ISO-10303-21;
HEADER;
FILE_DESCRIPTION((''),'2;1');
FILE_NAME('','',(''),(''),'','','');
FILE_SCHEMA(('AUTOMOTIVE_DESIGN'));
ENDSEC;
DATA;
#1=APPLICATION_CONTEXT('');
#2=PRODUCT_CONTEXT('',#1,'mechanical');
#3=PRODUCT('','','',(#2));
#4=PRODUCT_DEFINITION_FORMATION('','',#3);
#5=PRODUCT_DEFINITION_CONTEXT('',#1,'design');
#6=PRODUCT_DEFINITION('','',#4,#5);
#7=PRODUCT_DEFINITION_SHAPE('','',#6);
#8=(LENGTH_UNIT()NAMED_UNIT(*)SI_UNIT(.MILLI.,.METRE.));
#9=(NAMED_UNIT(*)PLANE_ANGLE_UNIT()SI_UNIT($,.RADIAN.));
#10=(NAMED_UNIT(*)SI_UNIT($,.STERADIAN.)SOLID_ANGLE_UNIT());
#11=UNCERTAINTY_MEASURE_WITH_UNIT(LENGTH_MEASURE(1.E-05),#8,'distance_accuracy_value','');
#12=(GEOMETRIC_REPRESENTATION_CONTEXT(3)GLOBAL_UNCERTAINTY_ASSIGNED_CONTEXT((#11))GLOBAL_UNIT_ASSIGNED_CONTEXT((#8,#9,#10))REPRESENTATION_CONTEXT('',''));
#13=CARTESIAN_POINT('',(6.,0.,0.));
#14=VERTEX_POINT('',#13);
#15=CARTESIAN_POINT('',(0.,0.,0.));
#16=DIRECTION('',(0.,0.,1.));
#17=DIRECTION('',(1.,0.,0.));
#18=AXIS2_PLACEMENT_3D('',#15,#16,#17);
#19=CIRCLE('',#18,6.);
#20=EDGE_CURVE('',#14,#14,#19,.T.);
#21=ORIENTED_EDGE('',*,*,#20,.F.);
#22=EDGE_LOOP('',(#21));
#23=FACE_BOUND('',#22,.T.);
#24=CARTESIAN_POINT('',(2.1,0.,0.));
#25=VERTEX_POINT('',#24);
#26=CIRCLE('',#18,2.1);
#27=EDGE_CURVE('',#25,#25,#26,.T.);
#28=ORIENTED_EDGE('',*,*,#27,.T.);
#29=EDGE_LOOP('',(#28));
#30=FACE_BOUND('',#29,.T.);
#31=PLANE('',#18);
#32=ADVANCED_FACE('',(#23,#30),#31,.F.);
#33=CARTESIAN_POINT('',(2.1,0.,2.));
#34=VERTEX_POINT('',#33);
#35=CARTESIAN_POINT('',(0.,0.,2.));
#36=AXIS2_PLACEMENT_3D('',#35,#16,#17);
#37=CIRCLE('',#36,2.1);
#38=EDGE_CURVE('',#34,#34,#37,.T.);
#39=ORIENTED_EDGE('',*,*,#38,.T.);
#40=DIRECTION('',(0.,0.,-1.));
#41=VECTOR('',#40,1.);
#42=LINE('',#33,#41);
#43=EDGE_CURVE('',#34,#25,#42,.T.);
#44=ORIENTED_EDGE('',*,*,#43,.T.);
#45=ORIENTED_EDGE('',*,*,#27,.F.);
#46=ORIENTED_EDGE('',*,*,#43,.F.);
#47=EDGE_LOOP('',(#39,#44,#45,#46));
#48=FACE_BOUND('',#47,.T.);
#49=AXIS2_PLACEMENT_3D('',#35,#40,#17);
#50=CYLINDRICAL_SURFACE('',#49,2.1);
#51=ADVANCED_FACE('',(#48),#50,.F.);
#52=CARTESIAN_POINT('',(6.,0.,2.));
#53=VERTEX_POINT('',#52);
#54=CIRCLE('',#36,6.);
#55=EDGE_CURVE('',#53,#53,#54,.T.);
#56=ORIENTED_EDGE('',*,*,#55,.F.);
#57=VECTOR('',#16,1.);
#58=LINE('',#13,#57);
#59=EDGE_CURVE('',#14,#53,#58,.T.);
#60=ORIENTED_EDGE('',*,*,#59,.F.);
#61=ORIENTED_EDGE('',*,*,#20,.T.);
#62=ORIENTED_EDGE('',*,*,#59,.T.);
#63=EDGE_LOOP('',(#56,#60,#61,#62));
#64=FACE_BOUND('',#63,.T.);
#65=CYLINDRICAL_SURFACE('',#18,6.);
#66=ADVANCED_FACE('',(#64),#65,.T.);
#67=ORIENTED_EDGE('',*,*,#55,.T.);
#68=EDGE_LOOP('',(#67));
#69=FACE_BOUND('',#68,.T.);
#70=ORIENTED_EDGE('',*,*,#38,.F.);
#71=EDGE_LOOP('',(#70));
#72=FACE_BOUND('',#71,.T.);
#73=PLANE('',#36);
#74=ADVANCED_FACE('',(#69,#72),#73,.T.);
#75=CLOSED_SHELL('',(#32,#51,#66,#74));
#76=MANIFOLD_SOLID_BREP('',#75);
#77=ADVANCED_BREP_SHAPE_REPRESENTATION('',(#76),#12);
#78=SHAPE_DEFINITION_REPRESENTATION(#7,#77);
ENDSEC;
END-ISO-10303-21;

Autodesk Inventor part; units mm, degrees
ref_plane "YZ Plane" through (0, 0, 0) normal (1, 0, 0) x (0, 1, 0)
ref_plane "XZ Plane" through (0, 0, 0) normal (0, 1, 0) x (-1, 0, 0)
ref_plane "XY Plane" through (0, 0, 0) normal (0, 0, 1) x (1, 0, 0)
sketch "Sketch1" plane through (0, 0, 0) normal (0, 1, 0) x (-1, 0, 0)
  line L0 (0, 0) -> (0, 2)
  line L1 (-2.1, 2) -> (-2.1, 0)
  line L2 (-2.1, 0) -> (-6, 0)
  line L3 (-6, 0) -> (-6, 2)
  line L4 (-6, 2) -> (-2.1, 2)
  dimension "InsideDiameter" = 4.2
  dimension "OuterDiameter" = 12
  dimension "Thickness" = 2
revolve "Revolution1" add sketch "Sketch1" angle 360 about axis through (0, 0, 0) along (0, 0, 1)
properties part number "UUW-0412-20H" material "Stainless Steel AISI 304"
